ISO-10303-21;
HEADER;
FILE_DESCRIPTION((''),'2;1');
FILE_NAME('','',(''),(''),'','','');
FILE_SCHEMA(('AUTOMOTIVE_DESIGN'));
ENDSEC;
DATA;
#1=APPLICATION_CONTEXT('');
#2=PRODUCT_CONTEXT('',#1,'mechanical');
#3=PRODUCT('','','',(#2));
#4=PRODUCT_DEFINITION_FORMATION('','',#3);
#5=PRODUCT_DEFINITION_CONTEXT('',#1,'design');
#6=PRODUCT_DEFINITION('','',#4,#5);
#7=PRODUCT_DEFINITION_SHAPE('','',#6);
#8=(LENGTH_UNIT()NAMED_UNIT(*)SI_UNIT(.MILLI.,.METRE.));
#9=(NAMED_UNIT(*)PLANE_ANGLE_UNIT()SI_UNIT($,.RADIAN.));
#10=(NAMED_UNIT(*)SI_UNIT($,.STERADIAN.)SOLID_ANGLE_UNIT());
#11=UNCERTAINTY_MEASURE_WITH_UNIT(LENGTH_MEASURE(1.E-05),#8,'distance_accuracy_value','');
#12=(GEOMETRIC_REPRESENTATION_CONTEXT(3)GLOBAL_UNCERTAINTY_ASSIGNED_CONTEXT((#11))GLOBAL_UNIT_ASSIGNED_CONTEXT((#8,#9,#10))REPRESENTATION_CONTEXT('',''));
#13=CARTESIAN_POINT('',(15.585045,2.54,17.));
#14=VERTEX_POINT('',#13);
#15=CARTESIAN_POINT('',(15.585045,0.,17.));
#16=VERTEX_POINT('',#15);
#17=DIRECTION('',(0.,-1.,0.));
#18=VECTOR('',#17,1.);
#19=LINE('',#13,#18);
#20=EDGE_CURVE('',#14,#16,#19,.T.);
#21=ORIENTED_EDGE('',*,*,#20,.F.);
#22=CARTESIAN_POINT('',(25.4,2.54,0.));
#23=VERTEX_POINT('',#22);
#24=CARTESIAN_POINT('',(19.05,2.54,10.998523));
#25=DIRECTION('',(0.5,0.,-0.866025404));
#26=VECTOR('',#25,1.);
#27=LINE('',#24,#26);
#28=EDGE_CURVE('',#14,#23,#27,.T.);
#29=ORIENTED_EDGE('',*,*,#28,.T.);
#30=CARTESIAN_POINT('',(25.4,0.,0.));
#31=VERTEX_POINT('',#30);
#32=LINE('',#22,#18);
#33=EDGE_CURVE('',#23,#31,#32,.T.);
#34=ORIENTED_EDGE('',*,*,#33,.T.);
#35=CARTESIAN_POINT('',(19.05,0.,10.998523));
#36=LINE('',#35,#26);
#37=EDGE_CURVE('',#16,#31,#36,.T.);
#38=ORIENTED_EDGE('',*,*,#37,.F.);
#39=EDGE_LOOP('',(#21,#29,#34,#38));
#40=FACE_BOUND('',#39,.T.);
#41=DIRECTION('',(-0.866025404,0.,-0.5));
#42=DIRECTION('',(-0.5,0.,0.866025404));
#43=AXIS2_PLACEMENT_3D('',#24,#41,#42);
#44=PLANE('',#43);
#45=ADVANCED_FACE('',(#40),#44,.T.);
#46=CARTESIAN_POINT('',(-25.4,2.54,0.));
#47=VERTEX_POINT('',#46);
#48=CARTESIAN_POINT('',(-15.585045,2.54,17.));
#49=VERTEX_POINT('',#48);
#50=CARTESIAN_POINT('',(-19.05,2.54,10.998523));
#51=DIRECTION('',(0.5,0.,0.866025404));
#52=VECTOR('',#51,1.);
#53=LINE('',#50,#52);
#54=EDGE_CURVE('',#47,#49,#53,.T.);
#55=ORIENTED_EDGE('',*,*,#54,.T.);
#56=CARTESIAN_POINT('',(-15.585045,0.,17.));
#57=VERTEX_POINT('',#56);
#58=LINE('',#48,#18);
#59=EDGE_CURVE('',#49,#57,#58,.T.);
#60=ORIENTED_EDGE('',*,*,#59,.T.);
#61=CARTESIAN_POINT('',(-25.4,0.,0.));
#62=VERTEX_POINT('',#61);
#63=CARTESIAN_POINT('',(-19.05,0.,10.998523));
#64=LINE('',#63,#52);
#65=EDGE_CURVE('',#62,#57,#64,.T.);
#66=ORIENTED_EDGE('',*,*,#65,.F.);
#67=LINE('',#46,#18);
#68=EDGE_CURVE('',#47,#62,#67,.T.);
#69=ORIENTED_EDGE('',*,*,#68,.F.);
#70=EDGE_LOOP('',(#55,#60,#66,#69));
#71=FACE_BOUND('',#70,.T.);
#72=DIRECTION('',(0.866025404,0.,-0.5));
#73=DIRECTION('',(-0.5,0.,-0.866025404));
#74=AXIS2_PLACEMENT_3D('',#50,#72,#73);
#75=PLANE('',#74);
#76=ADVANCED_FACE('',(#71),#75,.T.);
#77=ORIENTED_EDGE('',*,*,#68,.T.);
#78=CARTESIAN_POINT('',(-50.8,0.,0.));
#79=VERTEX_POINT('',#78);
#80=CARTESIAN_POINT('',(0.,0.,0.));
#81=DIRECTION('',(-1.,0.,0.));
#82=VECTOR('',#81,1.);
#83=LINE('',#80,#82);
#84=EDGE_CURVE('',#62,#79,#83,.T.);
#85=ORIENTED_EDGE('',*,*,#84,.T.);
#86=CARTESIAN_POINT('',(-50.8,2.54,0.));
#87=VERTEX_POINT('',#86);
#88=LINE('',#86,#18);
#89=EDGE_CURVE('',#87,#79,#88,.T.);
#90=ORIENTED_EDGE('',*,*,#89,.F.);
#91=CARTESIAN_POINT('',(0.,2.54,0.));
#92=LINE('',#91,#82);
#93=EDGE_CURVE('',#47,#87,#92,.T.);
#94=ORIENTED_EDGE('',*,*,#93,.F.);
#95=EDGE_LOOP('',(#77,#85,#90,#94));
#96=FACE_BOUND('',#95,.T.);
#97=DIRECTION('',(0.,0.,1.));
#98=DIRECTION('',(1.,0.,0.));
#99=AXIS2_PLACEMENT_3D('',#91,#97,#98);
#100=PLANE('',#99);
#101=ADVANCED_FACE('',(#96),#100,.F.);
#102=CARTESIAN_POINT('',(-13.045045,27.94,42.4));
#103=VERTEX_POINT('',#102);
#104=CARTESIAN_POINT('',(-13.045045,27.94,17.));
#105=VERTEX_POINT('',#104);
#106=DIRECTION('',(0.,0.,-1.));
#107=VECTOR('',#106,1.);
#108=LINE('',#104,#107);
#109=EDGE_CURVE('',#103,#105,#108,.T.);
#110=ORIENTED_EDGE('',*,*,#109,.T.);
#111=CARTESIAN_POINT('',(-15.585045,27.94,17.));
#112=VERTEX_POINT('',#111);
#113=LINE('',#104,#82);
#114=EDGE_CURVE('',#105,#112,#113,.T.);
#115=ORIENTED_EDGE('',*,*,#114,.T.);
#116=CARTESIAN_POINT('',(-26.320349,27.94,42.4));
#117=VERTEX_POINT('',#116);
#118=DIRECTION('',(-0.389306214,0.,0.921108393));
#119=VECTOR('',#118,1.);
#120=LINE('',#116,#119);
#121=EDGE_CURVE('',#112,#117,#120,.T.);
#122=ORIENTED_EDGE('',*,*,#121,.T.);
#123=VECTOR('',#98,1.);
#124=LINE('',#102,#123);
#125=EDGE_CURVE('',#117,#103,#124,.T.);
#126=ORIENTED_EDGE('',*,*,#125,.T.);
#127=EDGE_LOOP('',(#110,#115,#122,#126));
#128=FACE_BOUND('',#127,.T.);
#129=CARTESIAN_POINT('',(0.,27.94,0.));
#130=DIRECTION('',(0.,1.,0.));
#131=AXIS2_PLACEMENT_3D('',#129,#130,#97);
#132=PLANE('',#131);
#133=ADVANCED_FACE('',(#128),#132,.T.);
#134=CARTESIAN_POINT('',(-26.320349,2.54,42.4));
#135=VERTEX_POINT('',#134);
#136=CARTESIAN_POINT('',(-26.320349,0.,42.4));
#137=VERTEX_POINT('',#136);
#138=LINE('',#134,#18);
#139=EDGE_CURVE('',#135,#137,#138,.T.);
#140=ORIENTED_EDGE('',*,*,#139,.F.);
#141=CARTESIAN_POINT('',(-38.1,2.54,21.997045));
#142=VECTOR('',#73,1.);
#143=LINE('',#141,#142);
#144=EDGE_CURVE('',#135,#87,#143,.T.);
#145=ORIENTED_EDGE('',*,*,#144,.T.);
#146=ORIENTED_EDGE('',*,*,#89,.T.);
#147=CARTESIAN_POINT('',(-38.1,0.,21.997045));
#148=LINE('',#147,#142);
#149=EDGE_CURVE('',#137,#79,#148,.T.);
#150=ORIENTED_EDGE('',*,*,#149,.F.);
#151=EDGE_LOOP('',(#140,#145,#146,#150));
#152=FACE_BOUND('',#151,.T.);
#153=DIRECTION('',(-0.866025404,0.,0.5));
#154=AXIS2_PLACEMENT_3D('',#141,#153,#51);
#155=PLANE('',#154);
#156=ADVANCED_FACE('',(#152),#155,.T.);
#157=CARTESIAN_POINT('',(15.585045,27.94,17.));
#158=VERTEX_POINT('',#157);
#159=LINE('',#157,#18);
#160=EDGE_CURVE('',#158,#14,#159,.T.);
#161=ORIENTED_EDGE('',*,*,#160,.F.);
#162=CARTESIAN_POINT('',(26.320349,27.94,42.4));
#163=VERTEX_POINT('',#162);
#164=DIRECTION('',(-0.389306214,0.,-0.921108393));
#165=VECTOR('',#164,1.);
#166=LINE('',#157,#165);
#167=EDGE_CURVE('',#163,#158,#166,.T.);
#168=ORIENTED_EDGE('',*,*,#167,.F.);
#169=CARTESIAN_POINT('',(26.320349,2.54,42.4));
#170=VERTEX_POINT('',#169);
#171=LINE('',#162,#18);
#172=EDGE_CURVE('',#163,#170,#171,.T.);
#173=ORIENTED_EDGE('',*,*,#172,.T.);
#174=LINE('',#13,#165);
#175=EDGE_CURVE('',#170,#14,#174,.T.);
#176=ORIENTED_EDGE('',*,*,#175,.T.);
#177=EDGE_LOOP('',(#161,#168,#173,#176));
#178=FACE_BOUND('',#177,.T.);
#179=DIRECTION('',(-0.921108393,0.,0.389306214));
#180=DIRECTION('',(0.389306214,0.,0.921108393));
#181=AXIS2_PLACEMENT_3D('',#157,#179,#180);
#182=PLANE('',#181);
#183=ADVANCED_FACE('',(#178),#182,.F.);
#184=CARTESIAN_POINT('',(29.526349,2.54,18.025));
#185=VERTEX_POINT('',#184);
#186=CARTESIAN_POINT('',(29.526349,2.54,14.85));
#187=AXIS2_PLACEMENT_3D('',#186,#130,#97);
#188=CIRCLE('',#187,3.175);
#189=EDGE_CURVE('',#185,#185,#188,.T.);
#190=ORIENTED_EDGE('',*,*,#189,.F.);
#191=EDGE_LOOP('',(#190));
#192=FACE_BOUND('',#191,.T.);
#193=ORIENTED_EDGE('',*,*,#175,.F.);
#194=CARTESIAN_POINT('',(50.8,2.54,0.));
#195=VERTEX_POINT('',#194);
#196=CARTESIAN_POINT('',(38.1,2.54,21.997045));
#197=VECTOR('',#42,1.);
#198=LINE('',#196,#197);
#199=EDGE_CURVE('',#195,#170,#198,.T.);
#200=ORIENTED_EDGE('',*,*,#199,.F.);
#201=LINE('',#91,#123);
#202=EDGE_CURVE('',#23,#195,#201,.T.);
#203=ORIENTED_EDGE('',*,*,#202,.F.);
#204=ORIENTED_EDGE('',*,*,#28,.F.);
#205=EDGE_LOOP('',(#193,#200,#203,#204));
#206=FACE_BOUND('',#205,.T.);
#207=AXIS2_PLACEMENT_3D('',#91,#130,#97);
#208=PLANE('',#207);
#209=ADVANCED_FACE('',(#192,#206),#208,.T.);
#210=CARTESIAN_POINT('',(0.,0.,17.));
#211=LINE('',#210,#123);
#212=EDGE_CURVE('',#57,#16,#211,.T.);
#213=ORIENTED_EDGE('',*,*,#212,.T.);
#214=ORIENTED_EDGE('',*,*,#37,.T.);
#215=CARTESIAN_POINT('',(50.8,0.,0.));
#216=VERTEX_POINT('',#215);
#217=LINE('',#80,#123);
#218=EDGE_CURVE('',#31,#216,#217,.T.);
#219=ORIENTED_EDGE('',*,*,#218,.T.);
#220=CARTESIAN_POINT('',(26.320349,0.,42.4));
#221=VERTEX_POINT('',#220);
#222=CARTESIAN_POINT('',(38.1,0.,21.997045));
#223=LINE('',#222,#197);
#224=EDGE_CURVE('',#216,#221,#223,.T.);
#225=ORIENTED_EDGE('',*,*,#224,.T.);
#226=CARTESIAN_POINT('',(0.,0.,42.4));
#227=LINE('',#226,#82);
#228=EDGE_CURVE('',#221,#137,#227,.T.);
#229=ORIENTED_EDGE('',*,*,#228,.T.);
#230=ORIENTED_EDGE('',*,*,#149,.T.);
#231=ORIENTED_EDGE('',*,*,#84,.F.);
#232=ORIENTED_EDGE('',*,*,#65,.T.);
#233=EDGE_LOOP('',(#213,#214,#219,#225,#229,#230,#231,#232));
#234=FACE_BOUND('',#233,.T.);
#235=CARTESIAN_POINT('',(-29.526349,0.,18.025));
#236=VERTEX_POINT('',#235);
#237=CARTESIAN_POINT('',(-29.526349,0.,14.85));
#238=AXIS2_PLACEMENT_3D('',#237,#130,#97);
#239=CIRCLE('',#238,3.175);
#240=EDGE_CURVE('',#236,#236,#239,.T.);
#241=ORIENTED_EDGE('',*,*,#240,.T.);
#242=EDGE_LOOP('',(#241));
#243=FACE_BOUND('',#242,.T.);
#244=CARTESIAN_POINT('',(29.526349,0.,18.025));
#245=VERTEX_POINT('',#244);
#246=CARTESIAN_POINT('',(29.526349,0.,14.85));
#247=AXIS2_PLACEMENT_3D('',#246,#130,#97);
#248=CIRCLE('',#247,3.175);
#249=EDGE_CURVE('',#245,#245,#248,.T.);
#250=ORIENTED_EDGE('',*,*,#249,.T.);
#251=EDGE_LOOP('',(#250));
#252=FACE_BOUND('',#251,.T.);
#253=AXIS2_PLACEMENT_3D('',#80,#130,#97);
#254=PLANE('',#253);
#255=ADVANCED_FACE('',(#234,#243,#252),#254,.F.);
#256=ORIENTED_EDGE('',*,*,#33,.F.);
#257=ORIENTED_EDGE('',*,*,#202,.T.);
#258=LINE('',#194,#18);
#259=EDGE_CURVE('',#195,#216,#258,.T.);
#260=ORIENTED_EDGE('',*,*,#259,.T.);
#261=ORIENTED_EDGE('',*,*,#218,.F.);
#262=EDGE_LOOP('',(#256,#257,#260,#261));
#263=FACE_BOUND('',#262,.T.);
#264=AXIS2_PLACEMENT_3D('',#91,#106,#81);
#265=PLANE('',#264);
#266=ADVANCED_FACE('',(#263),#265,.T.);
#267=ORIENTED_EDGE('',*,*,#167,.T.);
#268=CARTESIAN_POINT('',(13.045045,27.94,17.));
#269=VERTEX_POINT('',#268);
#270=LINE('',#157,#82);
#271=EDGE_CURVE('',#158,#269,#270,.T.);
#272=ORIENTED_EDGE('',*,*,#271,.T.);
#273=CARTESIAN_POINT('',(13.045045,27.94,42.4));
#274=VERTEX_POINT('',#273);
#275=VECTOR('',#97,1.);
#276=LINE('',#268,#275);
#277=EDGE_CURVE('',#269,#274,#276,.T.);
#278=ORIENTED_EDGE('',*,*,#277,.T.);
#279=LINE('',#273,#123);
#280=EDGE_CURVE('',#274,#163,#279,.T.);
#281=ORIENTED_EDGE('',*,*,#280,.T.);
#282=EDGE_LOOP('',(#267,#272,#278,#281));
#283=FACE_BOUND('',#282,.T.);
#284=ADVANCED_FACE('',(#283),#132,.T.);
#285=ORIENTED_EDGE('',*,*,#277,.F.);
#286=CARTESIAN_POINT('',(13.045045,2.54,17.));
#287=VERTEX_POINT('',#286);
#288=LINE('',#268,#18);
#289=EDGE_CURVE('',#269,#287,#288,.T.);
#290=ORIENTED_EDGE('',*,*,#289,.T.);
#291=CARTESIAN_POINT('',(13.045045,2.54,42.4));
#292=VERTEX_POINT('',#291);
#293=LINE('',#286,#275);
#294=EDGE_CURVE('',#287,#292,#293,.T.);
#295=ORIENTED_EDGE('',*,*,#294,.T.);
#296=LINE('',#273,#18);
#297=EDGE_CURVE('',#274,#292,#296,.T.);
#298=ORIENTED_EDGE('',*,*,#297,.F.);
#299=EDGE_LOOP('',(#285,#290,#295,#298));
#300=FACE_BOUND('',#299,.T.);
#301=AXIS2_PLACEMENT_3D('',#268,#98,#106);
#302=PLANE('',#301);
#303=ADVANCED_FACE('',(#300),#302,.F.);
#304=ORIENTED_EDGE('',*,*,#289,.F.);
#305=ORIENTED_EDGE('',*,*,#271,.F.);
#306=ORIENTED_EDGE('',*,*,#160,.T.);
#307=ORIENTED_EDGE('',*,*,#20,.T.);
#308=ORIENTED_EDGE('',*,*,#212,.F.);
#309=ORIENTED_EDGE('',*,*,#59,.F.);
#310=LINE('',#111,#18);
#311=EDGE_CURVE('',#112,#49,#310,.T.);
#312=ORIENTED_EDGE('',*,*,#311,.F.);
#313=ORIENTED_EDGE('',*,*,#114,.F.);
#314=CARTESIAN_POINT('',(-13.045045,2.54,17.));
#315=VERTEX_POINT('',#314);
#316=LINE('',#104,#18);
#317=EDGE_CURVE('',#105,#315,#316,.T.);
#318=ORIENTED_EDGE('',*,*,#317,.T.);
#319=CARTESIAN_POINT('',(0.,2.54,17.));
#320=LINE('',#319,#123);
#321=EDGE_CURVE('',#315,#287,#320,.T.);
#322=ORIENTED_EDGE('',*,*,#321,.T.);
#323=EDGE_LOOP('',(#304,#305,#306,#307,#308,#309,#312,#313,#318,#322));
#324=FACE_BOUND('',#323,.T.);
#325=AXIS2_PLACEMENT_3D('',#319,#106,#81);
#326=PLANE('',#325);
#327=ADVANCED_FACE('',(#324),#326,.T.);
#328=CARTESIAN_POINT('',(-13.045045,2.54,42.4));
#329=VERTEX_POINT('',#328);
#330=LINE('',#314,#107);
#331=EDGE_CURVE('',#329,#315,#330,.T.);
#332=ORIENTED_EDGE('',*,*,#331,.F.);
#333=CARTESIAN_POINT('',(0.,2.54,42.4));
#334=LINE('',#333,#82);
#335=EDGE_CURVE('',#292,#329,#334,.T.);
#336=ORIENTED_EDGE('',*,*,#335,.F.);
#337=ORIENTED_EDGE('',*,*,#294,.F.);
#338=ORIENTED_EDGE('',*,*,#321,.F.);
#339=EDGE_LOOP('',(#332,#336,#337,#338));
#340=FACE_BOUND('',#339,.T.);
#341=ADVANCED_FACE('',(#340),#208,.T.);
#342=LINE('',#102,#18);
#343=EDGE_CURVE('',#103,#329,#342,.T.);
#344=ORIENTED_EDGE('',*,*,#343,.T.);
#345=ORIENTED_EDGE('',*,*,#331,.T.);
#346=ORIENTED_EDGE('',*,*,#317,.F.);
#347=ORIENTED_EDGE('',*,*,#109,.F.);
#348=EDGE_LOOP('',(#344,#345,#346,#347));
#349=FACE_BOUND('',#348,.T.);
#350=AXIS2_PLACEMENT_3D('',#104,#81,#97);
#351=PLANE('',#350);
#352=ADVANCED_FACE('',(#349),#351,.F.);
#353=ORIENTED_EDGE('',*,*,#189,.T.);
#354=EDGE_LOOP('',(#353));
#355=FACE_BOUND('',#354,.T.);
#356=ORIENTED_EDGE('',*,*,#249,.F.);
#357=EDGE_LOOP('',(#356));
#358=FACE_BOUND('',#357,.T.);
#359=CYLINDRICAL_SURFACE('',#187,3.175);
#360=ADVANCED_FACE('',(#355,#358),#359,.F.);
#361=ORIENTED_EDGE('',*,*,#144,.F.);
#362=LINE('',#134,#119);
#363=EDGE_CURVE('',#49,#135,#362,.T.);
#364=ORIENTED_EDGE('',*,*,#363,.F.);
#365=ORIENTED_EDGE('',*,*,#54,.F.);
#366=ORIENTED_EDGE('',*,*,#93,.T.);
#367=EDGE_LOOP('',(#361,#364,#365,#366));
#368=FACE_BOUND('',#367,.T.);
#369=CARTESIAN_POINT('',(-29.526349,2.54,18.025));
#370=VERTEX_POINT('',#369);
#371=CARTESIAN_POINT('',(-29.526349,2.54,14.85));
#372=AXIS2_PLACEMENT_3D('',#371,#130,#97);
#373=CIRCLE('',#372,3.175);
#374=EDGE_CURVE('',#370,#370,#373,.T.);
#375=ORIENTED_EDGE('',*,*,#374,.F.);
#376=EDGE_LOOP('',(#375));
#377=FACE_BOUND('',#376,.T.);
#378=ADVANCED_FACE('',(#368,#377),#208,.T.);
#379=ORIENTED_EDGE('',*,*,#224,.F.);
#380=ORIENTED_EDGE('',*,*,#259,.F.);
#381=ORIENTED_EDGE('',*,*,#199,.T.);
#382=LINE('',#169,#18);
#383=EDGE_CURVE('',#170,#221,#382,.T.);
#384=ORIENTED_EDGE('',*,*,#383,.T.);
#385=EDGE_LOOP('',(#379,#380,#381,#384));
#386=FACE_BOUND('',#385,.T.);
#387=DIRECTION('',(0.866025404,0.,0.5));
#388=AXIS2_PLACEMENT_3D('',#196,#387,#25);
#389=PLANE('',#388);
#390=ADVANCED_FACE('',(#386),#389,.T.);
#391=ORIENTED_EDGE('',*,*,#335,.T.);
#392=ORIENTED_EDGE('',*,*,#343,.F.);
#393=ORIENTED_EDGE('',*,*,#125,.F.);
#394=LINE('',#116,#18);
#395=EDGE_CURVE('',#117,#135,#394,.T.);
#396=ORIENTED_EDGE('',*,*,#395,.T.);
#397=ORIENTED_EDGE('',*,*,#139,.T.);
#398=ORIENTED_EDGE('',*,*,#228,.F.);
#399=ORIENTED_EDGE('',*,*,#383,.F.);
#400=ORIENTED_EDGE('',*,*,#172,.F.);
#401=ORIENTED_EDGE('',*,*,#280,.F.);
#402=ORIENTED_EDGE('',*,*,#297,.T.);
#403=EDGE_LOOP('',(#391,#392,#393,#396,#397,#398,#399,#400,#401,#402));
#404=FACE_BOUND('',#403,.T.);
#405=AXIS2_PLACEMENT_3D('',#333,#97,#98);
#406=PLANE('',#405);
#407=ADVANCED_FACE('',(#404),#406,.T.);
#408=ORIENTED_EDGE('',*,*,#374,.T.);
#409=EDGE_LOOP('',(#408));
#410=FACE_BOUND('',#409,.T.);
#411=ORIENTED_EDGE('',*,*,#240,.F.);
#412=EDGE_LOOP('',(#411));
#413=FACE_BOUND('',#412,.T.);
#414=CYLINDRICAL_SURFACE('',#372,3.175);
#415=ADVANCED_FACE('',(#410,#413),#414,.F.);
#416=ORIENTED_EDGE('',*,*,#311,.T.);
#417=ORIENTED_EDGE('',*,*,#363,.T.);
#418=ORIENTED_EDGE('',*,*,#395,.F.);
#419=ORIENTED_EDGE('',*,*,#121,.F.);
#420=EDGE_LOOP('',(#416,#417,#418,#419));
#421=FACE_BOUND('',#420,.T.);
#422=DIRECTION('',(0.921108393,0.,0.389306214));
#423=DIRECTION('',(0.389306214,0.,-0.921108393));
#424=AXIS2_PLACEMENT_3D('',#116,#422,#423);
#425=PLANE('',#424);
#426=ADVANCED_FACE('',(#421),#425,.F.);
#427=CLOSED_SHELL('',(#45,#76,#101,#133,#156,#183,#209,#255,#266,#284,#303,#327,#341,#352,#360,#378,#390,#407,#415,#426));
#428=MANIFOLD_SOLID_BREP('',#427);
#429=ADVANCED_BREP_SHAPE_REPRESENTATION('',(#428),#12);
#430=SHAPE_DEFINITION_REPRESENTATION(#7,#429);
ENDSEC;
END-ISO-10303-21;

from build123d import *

# Parameters (mm, degrees)
BOSS_EXTRUDE1_DEPTH         = 2.54
BOSS_EXTRUDE2_DEPTH         = 25.4
F_1_4_0_25_DIAMETER_HOLE1_D = 6.35


with BuildPart() as part:
    # Sketch1 → Boss-Extrude1 (new body)
    with BuildSketch(Plane(origin=(0, 0, 0), x_dir=(1, 0, 0), z_dir=(0, 1, 0))):
        Polygon((-26.320348586, -42.4), (-50.8, 0), (-25.4, 0), (-15.585045424, -17), (15.585045424, -17), (25.4, 0), (50.8, 0), (26.320348586, -42.4), align=None)
    extrude(amount=BOSS_EXTRUDE1_DEPTH)

    # Sketch2 → Boss-Extrude2 (add)
    with BuildSketch(Plane(origin=(0, 2.54, 0), x_dir=(1, 0, 0), z_dir=(0, 1, 0))):
        Polygon((-26.320348586, -42.4), (-15.585045424, -17), (-13.045045424, -17), (-13.045045424, -42.4), align=None)
        Polygon((15.585045424, -17), (26.320348586, -42.4), (13.045045424, -42.4), (13.045045424, -17), align=None)
    extrude(amount=BOSS_EXTRUDE2_DEPTH)

    # 1/4 (0.25) Diameter Hole1 (through all)
    with Locations(Plane(origin=(29.526348503, 2.54, 14.85), x_dir=(0, 0, 1), z_dir=(0, 1, 0))):
        with Locations((0, 0), (0, -59.052697006)):
            Hole(F_1_4_0_25_DIAMETER_HOLE1_D / 2)


solid = part.part
